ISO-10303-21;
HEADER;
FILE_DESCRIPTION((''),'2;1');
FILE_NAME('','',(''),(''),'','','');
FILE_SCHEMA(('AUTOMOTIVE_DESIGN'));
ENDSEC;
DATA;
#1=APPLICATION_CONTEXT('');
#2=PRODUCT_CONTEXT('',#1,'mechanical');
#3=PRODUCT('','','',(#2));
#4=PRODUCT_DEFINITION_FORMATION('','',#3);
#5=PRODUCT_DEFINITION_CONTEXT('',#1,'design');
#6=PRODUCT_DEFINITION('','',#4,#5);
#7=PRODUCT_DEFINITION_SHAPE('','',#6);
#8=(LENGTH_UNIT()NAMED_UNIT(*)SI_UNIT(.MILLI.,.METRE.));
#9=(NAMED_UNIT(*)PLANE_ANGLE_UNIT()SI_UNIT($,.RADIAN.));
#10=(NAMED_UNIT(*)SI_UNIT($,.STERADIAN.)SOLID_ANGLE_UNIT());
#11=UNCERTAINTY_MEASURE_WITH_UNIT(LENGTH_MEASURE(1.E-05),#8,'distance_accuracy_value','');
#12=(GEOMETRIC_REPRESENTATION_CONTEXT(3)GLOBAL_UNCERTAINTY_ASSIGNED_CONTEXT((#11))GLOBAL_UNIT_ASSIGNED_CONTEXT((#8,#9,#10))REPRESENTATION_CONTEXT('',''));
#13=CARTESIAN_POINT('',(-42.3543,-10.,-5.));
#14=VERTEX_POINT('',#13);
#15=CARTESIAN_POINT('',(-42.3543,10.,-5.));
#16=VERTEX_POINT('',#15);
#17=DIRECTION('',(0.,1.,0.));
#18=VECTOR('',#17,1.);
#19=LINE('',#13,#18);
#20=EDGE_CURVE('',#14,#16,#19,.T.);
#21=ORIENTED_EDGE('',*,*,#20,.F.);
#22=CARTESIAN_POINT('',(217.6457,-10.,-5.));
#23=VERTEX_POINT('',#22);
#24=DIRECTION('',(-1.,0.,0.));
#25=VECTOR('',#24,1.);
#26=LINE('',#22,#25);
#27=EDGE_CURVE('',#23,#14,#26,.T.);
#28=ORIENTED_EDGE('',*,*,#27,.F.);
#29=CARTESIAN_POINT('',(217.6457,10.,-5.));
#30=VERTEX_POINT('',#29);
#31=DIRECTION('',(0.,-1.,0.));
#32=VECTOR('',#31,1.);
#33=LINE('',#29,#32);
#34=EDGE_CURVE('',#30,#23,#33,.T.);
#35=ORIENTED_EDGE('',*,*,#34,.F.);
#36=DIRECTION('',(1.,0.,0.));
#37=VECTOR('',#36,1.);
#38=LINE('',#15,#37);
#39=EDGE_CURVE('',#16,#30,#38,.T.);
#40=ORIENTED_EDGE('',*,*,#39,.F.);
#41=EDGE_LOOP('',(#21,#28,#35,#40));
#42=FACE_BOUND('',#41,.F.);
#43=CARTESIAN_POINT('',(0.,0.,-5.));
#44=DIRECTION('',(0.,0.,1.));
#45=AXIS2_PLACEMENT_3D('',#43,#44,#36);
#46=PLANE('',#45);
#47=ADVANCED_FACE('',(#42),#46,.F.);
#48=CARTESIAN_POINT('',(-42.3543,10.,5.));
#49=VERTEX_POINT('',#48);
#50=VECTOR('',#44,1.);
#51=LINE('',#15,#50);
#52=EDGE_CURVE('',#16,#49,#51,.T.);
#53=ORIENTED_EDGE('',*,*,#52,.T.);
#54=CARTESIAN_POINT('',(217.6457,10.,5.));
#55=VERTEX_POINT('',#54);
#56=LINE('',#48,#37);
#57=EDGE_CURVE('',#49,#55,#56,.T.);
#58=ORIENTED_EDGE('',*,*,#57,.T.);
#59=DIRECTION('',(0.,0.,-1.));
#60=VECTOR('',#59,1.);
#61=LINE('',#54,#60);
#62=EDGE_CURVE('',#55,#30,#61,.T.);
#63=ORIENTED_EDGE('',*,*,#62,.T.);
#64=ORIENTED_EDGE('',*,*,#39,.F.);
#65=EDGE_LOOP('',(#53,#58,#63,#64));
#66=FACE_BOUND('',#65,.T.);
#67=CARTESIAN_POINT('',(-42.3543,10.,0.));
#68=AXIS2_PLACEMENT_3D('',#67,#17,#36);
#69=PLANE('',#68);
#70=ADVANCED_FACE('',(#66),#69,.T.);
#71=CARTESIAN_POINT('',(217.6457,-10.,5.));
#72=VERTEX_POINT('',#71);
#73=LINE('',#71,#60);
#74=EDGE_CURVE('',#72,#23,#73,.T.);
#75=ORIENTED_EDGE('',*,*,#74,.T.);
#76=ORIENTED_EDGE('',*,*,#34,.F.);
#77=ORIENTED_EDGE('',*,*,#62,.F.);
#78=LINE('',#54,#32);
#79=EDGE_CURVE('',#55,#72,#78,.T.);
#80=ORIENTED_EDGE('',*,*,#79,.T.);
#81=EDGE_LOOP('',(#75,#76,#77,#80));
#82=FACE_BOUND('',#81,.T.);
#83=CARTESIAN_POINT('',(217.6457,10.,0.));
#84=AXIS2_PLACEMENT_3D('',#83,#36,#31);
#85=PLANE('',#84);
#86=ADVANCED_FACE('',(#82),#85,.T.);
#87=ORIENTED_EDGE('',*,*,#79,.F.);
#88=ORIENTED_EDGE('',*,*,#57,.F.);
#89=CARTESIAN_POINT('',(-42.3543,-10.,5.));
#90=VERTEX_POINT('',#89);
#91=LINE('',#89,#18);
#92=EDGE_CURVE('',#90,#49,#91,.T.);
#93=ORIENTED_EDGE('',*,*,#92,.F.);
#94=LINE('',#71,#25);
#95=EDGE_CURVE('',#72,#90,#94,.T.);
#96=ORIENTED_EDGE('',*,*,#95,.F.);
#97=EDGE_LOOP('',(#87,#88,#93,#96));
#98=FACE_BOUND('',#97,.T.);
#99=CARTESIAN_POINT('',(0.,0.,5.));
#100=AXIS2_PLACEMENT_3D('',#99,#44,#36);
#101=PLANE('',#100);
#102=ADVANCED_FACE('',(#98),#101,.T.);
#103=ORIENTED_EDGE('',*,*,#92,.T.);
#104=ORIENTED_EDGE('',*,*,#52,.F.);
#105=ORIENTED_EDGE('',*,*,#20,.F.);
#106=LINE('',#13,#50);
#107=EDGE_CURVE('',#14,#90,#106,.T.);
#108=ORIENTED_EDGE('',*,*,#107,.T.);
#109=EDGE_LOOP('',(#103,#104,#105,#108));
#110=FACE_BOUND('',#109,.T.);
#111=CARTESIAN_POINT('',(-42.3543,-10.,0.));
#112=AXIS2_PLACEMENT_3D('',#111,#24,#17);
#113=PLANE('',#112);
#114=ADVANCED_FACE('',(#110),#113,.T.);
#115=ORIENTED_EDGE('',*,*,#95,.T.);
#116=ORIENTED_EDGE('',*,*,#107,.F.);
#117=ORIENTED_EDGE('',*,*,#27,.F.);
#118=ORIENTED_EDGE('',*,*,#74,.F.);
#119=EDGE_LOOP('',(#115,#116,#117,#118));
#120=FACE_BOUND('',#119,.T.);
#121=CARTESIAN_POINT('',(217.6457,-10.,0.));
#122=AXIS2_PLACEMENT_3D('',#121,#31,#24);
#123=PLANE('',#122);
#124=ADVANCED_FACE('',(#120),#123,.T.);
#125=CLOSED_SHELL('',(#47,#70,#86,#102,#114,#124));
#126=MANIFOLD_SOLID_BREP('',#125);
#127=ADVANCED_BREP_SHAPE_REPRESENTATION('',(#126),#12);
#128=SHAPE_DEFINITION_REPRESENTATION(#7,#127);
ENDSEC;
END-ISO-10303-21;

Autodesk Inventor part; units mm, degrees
ref_plane "YZ Plane" through (0, 0, 0) normal (1, 0, 0) x (0, 1, 0)
ref_plane "XZ Plane" through (0, 0, 0) normal (0, 1, 0) x (-1, 0, 0)
ref_plane "XY Plane" through (0, 0, 0) normal (0, 0, 1) x (1, 0, 0)
sketch "Sketch1" plane through (0, 0, 0) normal (0, 0, 1) x (1, 0, 0)
  line L0 (-42.3543, 10) -> (217.6457, 10)
  line L1 (217.6457, 10) -> (217.6457, -10)
  line L2 (217.6457, -10) -> (-42.3543, -10)
  line L3 (-42.3543, -10) -> (-42.3543, 10)
  point P0 (0, 0)
  dimension "d0" = 260
  dimension "d1" = 20
  dimension "d2" = 217.6457
  dimension "d3" = 10
extrude "Extrusion1" add sketch "Sketch1" along normal mid plane 10
properties part number "Steel support" material "Steel"
